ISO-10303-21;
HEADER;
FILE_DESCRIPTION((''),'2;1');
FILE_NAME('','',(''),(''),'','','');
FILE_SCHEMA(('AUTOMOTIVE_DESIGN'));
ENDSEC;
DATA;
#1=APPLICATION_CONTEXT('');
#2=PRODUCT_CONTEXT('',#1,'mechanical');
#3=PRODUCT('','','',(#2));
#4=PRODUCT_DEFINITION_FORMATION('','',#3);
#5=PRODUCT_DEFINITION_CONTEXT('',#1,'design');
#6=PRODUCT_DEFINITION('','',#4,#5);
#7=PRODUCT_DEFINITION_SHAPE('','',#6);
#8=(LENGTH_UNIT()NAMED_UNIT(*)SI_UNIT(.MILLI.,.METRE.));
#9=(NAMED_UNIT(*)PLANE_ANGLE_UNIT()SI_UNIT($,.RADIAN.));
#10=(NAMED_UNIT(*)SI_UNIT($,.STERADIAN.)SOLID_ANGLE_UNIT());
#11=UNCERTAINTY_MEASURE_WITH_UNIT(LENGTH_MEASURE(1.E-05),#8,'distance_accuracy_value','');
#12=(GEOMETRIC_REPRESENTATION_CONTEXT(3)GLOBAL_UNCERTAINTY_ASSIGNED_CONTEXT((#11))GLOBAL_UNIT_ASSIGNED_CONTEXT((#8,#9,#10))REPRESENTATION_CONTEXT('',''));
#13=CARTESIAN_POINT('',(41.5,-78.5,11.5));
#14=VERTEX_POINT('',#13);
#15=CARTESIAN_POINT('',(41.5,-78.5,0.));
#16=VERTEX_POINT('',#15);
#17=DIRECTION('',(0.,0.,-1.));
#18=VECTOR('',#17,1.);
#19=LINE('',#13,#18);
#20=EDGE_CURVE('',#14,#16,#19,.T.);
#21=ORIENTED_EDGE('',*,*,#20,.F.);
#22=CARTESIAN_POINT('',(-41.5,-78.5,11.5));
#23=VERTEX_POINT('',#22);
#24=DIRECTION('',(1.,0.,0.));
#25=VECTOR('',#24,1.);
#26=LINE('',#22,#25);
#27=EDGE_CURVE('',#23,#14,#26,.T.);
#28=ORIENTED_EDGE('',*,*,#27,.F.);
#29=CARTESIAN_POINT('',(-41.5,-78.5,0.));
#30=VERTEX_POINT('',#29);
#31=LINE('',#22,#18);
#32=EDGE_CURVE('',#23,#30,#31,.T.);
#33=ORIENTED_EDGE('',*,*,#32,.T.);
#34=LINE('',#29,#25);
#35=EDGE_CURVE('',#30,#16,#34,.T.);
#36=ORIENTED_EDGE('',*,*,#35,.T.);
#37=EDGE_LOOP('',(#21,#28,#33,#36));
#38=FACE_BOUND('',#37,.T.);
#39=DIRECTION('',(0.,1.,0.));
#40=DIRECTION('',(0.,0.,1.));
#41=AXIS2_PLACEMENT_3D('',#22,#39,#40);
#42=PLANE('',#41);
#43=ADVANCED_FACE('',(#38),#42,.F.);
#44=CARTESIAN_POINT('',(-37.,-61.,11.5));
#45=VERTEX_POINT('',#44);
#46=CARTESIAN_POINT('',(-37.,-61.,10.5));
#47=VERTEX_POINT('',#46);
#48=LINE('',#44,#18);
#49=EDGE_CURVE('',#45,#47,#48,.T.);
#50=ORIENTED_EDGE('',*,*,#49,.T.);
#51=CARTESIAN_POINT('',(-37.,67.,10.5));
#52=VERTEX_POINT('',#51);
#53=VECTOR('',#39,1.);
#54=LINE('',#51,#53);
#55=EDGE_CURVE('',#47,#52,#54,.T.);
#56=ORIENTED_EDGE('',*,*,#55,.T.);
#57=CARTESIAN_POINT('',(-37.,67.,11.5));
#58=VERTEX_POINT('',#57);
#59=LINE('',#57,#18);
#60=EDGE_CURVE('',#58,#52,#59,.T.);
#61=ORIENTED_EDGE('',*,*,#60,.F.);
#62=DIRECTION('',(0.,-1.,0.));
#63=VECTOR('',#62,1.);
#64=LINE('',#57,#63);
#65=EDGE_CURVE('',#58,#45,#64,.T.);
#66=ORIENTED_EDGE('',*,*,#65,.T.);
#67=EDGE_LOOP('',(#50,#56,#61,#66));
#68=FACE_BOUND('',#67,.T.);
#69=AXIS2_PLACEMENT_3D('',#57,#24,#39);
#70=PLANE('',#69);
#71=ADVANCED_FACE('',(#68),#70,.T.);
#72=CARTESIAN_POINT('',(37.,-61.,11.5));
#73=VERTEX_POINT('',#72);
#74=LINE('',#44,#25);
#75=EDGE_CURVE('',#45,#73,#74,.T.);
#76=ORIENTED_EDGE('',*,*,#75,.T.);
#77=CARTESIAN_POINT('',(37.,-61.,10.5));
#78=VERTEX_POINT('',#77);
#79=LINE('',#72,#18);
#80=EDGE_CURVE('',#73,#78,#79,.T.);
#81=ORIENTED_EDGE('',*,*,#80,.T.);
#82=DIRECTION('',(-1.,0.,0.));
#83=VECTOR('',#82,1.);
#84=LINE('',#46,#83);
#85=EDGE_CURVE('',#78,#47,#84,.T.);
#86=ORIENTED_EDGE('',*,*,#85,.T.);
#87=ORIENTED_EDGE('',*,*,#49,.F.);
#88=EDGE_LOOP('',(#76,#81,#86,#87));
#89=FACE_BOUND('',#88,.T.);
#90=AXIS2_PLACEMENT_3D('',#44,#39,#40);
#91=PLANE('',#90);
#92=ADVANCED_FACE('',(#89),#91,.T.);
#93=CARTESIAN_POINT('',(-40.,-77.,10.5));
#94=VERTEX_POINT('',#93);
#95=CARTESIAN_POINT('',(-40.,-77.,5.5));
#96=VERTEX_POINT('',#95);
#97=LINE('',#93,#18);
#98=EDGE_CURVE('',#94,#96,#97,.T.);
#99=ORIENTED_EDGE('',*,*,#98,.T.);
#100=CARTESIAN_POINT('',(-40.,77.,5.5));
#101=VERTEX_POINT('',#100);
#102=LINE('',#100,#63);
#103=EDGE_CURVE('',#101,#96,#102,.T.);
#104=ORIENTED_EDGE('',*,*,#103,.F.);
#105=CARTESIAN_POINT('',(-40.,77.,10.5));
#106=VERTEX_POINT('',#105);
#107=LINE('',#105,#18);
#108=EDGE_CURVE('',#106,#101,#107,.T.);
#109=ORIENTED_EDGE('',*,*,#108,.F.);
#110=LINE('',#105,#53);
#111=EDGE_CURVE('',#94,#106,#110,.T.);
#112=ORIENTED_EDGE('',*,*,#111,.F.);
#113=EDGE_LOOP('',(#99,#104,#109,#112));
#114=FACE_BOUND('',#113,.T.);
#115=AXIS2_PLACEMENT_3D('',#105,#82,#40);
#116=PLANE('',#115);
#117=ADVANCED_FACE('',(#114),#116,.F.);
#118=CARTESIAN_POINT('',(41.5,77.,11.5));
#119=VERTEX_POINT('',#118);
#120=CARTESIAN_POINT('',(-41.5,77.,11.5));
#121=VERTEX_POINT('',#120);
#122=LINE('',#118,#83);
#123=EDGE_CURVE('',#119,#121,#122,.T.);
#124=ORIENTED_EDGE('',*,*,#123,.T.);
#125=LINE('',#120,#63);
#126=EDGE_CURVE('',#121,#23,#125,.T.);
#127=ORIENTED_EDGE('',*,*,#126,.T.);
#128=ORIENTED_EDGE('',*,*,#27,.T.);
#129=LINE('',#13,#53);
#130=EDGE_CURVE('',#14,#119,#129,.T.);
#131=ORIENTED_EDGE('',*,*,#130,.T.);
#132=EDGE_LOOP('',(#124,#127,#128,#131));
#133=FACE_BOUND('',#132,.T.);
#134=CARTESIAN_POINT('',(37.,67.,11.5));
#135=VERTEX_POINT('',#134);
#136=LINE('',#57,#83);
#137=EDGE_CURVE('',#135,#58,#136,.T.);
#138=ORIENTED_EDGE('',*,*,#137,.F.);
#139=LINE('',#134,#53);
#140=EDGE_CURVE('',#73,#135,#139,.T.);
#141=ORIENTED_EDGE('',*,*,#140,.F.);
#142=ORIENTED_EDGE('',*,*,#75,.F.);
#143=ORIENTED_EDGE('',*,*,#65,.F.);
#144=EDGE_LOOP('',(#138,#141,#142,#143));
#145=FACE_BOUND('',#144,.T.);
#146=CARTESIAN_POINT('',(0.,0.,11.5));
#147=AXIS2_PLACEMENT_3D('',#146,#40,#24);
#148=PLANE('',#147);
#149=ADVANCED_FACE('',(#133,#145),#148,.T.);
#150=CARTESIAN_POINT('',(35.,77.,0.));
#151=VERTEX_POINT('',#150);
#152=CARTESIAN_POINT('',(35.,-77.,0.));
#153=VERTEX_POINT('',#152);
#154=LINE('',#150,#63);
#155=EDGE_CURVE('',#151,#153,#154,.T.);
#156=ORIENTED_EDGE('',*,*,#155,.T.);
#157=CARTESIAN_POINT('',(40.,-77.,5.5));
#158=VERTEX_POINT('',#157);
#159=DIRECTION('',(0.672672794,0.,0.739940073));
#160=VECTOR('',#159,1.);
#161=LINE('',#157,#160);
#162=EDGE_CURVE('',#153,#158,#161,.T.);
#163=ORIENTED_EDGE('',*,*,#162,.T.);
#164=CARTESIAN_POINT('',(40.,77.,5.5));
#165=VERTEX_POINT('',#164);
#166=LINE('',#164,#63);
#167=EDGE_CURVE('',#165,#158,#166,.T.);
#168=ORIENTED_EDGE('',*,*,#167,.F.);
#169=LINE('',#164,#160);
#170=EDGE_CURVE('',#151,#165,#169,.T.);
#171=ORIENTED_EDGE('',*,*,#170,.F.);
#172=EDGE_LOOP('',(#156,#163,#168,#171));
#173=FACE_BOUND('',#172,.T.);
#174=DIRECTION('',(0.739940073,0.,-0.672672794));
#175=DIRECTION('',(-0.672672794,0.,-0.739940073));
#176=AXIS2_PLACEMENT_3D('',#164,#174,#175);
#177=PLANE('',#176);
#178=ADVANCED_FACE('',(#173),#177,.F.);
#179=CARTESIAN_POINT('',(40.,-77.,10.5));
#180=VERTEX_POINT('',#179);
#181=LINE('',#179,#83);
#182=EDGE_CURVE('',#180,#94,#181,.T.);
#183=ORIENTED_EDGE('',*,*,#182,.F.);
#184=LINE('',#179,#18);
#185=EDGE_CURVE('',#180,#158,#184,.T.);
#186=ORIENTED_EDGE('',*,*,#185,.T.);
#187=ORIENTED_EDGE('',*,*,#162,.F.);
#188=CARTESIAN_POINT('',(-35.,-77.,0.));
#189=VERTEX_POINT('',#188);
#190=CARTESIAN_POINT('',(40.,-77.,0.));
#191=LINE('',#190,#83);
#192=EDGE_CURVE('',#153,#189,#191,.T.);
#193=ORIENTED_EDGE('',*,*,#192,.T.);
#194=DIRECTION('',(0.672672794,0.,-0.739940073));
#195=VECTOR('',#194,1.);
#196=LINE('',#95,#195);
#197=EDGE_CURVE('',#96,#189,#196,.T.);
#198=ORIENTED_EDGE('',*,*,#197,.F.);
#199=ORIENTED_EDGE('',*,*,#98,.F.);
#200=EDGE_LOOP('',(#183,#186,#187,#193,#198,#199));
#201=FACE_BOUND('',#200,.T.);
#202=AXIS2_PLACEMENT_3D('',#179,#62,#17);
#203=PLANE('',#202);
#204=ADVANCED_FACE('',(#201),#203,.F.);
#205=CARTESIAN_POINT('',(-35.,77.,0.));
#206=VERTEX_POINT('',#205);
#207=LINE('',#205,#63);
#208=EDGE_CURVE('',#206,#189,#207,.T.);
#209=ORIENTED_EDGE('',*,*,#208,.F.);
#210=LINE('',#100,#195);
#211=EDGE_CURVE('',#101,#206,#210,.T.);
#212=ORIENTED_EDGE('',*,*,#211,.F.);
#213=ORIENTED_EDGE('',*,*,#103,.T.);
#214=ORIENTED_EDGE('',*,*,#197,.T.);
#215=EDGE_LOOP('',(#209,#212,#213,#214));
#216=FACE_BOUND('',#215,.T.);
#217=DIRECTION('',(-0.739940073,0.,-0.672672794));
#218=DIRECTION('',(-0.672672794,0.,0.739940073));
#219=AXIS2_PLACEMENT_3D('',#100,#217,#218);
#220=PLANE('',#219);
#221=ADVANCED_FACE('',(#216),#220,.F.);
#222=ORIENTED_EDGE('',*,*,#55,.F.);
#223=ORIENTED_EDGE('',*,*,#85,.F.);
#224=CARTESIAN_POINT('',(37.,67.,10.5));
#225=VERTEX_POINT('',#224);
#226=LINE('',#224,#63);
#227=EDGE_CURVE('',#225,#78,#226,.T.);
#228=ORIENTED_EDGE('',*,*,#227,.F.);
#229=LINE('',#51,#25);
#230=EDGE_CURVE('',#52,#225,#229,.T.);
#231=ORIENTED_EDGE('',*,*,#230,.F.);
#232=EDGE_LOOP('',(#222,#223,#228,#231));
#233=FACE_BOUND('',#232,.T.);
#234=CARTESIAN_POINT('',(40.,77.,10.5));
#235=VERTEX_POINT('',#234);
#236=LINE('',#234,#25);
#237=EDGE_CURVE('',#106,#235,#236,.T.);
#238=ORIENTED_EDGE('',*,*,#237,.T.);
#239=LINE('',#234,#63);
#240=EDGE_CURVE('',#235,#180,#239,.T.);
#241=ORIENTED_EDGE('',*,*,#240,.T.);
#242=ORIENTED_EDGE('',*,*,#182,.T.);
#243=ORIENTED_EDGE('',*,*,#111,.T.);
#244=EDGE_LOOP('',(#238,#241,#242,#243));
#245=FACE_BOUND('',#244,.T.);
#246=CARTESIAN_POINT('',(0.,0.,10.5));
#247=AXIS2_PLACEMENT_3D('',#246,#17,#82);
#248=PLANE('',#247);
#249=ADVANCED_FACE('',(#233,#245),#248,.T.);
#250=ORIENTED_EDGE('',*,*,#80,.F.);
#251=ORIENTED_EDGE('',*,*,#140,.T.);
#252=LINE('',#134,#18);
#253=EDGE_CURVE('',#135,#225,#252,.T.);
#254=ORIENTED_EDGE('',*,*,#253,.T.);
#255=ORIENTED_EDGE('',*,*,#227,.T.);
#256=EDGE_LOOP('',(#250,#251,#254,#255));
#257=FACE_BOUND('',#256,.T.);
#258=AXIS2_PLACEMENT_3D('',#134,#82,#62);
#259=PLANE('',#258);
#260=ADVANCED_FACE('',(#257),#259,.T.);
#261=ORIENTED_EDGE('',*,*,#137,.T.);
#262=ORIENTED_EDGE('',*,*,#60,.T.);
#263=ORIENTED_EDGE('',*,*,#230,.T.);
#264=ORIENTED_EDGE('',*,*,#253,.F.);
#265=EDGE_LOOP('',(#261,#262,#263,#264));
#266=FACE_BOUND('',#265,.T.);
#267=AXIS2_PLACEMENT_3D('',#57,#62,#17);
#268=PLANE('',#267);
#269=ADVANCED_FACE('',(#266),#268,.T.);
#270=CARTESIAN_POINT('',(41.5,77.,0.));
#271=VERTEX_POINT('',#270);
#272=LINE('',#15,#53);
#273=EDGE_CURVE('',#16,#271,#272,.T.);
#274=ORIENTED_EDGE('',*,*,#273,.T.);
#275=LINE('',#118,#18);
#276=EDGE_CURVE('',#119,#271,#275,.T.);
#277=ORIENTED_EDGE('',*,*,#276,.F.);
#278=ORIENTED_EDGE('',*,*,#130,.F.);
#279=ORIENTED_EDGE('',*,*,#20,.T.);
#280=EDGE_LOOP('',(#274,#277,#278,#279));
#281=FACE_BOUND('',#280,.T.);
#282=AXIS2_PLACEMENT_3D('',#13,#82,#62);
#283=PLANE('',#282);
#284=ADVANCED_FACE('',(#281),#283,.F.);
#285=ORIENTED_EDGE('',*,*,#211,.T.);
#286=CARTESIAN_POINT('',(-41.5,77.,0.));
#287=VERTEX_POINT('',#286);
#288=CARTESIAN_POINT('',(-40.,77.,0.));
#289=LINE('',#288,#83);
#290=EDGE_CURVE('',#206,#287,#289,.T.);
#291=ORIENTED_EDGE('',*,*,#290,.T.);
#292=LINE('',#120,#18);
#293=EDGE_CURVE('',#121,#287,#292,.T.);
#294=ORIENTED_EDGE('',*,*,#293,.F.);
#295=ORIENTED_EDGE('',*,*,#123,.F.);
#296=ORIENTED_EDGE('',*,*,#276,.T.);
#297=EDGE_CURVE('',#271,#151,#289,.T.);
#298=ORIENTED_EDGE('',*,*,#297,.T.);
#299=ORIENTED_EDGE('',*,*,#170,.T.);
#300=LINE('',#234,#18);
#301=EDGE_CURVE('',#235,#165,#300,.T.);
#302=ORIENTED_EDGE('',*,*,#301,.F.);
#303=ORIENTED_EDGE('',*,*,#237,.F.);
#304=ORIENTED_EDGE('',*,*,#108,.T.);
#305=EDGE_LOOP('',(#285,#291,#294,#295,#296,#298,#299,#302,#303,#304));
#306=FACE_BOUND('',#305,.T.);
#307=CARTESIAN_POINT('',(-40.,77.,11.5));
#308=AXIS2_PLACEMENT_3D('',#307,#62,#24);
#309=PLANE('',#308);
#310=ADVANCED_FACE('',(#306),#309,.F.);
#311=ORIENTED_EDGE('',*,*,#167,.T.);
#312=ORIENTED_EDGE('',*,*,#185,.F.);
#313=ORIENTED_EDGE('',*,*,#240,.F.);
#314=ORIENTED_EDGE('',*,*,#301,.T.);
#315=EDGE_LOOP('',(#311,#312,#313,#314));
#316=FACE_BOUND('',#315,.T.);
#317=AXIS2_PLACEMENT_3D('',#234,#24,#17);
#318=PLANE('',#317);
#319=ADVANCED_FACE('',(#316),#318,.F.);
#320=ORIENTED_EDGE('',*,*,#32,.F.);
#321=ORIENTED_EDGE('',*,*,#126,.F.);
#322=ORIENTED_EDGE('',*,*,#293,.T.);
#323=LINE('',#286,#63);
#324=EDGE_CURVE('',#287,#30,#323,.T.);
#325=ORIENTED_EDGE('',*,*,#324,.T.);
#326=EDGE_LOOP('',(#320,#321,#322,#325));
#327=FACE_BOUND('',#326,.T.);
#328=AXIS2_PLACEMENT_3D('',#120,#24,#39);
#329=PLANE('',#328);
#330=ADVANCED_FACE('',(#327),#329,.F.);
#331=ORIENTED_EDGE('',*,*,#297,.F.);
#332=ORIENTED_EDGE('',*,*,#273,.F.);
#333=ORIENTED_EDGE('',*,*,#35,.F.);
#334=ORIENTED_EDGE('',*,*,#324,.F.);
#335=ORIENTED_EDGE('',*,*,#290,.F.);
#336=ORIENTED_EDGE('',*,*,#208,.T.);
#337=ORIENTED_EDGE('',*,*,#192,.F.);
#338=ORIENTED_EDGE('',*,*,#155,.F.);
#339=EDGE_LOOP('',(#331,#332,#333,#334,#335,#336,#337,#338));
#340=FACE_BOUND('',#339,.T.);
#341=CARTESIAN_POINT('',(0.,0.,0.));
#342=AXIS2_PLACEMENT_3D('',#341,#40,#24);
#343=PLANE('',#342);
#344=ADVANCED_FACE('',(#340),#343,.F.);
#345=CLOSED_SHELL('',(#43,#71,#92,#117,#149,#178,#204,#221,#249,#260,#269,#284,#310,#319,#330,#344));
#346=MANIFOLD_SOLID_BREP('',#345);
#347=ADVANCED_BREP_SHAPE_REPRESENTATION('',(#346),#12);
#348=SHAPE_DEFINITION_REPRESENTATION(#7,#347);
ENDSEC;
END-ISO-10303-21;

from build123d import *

# Parameters (mm, degrees)
CROQUIS1_W              = 74
CROQUIS1_H              = 128
SALIENTE_EXTRUIR1_DEPTH = 11.5
CROQUIS2_W              = 80
CROQUIS2_H              = 154
CORTAR_EXTRUIR1_DEPTH   = 10.5
SALIENTE_EXTRUIR3_DEPTH = 154


with BuildPart() as part:
    # Croquis1 → Saliente-Extruir1 (new body)
    with BuildSketch(Plane.XY):
        Polygon((-40, 77), (-41.5, 77), (-41.5, -78.5), (41.5, -78.5), (41.5, 77), (40, 77), align=None)
        with Locations((0, 3)):
            Rectangle(CROQUIS1_W, CROQUIS1_H, mode=Mode.SUBTRACT)
    extrude(amount=SALIENTE_EXTRUIR1_DEPTH)

    # Croquis2 → Cortar-Extruir1 (cut)
    with BuildSketch(Plane(origin=(0, 0, 0), x_dir=(-1, 0, 0), z_dir=(0, 0, -1))):
        Rectangle(CROQUIS2_W, CROQUIS2_H)
    extrude(amount=-CORTAR_EXTRUIR1_DEPTH, mode=Mode.SUBTRACT)

    # Croquis3 → Saliente-Extruir3 (add, through all)
    with BuildSketch(Plane(origin=(0, -77, 0), x_dir=(1, 0, 0), z_dir=(0, 1, 0))):
        Polygon((-40, -5.5), (-35, 0), (-40, 0), align=None)
        Polygon((40, 0), (40, -5.5), (35, 0), align=None)
    extrude(amount=SALIENTE_EXTRUIR3_DEPTH)


solid = part.part
